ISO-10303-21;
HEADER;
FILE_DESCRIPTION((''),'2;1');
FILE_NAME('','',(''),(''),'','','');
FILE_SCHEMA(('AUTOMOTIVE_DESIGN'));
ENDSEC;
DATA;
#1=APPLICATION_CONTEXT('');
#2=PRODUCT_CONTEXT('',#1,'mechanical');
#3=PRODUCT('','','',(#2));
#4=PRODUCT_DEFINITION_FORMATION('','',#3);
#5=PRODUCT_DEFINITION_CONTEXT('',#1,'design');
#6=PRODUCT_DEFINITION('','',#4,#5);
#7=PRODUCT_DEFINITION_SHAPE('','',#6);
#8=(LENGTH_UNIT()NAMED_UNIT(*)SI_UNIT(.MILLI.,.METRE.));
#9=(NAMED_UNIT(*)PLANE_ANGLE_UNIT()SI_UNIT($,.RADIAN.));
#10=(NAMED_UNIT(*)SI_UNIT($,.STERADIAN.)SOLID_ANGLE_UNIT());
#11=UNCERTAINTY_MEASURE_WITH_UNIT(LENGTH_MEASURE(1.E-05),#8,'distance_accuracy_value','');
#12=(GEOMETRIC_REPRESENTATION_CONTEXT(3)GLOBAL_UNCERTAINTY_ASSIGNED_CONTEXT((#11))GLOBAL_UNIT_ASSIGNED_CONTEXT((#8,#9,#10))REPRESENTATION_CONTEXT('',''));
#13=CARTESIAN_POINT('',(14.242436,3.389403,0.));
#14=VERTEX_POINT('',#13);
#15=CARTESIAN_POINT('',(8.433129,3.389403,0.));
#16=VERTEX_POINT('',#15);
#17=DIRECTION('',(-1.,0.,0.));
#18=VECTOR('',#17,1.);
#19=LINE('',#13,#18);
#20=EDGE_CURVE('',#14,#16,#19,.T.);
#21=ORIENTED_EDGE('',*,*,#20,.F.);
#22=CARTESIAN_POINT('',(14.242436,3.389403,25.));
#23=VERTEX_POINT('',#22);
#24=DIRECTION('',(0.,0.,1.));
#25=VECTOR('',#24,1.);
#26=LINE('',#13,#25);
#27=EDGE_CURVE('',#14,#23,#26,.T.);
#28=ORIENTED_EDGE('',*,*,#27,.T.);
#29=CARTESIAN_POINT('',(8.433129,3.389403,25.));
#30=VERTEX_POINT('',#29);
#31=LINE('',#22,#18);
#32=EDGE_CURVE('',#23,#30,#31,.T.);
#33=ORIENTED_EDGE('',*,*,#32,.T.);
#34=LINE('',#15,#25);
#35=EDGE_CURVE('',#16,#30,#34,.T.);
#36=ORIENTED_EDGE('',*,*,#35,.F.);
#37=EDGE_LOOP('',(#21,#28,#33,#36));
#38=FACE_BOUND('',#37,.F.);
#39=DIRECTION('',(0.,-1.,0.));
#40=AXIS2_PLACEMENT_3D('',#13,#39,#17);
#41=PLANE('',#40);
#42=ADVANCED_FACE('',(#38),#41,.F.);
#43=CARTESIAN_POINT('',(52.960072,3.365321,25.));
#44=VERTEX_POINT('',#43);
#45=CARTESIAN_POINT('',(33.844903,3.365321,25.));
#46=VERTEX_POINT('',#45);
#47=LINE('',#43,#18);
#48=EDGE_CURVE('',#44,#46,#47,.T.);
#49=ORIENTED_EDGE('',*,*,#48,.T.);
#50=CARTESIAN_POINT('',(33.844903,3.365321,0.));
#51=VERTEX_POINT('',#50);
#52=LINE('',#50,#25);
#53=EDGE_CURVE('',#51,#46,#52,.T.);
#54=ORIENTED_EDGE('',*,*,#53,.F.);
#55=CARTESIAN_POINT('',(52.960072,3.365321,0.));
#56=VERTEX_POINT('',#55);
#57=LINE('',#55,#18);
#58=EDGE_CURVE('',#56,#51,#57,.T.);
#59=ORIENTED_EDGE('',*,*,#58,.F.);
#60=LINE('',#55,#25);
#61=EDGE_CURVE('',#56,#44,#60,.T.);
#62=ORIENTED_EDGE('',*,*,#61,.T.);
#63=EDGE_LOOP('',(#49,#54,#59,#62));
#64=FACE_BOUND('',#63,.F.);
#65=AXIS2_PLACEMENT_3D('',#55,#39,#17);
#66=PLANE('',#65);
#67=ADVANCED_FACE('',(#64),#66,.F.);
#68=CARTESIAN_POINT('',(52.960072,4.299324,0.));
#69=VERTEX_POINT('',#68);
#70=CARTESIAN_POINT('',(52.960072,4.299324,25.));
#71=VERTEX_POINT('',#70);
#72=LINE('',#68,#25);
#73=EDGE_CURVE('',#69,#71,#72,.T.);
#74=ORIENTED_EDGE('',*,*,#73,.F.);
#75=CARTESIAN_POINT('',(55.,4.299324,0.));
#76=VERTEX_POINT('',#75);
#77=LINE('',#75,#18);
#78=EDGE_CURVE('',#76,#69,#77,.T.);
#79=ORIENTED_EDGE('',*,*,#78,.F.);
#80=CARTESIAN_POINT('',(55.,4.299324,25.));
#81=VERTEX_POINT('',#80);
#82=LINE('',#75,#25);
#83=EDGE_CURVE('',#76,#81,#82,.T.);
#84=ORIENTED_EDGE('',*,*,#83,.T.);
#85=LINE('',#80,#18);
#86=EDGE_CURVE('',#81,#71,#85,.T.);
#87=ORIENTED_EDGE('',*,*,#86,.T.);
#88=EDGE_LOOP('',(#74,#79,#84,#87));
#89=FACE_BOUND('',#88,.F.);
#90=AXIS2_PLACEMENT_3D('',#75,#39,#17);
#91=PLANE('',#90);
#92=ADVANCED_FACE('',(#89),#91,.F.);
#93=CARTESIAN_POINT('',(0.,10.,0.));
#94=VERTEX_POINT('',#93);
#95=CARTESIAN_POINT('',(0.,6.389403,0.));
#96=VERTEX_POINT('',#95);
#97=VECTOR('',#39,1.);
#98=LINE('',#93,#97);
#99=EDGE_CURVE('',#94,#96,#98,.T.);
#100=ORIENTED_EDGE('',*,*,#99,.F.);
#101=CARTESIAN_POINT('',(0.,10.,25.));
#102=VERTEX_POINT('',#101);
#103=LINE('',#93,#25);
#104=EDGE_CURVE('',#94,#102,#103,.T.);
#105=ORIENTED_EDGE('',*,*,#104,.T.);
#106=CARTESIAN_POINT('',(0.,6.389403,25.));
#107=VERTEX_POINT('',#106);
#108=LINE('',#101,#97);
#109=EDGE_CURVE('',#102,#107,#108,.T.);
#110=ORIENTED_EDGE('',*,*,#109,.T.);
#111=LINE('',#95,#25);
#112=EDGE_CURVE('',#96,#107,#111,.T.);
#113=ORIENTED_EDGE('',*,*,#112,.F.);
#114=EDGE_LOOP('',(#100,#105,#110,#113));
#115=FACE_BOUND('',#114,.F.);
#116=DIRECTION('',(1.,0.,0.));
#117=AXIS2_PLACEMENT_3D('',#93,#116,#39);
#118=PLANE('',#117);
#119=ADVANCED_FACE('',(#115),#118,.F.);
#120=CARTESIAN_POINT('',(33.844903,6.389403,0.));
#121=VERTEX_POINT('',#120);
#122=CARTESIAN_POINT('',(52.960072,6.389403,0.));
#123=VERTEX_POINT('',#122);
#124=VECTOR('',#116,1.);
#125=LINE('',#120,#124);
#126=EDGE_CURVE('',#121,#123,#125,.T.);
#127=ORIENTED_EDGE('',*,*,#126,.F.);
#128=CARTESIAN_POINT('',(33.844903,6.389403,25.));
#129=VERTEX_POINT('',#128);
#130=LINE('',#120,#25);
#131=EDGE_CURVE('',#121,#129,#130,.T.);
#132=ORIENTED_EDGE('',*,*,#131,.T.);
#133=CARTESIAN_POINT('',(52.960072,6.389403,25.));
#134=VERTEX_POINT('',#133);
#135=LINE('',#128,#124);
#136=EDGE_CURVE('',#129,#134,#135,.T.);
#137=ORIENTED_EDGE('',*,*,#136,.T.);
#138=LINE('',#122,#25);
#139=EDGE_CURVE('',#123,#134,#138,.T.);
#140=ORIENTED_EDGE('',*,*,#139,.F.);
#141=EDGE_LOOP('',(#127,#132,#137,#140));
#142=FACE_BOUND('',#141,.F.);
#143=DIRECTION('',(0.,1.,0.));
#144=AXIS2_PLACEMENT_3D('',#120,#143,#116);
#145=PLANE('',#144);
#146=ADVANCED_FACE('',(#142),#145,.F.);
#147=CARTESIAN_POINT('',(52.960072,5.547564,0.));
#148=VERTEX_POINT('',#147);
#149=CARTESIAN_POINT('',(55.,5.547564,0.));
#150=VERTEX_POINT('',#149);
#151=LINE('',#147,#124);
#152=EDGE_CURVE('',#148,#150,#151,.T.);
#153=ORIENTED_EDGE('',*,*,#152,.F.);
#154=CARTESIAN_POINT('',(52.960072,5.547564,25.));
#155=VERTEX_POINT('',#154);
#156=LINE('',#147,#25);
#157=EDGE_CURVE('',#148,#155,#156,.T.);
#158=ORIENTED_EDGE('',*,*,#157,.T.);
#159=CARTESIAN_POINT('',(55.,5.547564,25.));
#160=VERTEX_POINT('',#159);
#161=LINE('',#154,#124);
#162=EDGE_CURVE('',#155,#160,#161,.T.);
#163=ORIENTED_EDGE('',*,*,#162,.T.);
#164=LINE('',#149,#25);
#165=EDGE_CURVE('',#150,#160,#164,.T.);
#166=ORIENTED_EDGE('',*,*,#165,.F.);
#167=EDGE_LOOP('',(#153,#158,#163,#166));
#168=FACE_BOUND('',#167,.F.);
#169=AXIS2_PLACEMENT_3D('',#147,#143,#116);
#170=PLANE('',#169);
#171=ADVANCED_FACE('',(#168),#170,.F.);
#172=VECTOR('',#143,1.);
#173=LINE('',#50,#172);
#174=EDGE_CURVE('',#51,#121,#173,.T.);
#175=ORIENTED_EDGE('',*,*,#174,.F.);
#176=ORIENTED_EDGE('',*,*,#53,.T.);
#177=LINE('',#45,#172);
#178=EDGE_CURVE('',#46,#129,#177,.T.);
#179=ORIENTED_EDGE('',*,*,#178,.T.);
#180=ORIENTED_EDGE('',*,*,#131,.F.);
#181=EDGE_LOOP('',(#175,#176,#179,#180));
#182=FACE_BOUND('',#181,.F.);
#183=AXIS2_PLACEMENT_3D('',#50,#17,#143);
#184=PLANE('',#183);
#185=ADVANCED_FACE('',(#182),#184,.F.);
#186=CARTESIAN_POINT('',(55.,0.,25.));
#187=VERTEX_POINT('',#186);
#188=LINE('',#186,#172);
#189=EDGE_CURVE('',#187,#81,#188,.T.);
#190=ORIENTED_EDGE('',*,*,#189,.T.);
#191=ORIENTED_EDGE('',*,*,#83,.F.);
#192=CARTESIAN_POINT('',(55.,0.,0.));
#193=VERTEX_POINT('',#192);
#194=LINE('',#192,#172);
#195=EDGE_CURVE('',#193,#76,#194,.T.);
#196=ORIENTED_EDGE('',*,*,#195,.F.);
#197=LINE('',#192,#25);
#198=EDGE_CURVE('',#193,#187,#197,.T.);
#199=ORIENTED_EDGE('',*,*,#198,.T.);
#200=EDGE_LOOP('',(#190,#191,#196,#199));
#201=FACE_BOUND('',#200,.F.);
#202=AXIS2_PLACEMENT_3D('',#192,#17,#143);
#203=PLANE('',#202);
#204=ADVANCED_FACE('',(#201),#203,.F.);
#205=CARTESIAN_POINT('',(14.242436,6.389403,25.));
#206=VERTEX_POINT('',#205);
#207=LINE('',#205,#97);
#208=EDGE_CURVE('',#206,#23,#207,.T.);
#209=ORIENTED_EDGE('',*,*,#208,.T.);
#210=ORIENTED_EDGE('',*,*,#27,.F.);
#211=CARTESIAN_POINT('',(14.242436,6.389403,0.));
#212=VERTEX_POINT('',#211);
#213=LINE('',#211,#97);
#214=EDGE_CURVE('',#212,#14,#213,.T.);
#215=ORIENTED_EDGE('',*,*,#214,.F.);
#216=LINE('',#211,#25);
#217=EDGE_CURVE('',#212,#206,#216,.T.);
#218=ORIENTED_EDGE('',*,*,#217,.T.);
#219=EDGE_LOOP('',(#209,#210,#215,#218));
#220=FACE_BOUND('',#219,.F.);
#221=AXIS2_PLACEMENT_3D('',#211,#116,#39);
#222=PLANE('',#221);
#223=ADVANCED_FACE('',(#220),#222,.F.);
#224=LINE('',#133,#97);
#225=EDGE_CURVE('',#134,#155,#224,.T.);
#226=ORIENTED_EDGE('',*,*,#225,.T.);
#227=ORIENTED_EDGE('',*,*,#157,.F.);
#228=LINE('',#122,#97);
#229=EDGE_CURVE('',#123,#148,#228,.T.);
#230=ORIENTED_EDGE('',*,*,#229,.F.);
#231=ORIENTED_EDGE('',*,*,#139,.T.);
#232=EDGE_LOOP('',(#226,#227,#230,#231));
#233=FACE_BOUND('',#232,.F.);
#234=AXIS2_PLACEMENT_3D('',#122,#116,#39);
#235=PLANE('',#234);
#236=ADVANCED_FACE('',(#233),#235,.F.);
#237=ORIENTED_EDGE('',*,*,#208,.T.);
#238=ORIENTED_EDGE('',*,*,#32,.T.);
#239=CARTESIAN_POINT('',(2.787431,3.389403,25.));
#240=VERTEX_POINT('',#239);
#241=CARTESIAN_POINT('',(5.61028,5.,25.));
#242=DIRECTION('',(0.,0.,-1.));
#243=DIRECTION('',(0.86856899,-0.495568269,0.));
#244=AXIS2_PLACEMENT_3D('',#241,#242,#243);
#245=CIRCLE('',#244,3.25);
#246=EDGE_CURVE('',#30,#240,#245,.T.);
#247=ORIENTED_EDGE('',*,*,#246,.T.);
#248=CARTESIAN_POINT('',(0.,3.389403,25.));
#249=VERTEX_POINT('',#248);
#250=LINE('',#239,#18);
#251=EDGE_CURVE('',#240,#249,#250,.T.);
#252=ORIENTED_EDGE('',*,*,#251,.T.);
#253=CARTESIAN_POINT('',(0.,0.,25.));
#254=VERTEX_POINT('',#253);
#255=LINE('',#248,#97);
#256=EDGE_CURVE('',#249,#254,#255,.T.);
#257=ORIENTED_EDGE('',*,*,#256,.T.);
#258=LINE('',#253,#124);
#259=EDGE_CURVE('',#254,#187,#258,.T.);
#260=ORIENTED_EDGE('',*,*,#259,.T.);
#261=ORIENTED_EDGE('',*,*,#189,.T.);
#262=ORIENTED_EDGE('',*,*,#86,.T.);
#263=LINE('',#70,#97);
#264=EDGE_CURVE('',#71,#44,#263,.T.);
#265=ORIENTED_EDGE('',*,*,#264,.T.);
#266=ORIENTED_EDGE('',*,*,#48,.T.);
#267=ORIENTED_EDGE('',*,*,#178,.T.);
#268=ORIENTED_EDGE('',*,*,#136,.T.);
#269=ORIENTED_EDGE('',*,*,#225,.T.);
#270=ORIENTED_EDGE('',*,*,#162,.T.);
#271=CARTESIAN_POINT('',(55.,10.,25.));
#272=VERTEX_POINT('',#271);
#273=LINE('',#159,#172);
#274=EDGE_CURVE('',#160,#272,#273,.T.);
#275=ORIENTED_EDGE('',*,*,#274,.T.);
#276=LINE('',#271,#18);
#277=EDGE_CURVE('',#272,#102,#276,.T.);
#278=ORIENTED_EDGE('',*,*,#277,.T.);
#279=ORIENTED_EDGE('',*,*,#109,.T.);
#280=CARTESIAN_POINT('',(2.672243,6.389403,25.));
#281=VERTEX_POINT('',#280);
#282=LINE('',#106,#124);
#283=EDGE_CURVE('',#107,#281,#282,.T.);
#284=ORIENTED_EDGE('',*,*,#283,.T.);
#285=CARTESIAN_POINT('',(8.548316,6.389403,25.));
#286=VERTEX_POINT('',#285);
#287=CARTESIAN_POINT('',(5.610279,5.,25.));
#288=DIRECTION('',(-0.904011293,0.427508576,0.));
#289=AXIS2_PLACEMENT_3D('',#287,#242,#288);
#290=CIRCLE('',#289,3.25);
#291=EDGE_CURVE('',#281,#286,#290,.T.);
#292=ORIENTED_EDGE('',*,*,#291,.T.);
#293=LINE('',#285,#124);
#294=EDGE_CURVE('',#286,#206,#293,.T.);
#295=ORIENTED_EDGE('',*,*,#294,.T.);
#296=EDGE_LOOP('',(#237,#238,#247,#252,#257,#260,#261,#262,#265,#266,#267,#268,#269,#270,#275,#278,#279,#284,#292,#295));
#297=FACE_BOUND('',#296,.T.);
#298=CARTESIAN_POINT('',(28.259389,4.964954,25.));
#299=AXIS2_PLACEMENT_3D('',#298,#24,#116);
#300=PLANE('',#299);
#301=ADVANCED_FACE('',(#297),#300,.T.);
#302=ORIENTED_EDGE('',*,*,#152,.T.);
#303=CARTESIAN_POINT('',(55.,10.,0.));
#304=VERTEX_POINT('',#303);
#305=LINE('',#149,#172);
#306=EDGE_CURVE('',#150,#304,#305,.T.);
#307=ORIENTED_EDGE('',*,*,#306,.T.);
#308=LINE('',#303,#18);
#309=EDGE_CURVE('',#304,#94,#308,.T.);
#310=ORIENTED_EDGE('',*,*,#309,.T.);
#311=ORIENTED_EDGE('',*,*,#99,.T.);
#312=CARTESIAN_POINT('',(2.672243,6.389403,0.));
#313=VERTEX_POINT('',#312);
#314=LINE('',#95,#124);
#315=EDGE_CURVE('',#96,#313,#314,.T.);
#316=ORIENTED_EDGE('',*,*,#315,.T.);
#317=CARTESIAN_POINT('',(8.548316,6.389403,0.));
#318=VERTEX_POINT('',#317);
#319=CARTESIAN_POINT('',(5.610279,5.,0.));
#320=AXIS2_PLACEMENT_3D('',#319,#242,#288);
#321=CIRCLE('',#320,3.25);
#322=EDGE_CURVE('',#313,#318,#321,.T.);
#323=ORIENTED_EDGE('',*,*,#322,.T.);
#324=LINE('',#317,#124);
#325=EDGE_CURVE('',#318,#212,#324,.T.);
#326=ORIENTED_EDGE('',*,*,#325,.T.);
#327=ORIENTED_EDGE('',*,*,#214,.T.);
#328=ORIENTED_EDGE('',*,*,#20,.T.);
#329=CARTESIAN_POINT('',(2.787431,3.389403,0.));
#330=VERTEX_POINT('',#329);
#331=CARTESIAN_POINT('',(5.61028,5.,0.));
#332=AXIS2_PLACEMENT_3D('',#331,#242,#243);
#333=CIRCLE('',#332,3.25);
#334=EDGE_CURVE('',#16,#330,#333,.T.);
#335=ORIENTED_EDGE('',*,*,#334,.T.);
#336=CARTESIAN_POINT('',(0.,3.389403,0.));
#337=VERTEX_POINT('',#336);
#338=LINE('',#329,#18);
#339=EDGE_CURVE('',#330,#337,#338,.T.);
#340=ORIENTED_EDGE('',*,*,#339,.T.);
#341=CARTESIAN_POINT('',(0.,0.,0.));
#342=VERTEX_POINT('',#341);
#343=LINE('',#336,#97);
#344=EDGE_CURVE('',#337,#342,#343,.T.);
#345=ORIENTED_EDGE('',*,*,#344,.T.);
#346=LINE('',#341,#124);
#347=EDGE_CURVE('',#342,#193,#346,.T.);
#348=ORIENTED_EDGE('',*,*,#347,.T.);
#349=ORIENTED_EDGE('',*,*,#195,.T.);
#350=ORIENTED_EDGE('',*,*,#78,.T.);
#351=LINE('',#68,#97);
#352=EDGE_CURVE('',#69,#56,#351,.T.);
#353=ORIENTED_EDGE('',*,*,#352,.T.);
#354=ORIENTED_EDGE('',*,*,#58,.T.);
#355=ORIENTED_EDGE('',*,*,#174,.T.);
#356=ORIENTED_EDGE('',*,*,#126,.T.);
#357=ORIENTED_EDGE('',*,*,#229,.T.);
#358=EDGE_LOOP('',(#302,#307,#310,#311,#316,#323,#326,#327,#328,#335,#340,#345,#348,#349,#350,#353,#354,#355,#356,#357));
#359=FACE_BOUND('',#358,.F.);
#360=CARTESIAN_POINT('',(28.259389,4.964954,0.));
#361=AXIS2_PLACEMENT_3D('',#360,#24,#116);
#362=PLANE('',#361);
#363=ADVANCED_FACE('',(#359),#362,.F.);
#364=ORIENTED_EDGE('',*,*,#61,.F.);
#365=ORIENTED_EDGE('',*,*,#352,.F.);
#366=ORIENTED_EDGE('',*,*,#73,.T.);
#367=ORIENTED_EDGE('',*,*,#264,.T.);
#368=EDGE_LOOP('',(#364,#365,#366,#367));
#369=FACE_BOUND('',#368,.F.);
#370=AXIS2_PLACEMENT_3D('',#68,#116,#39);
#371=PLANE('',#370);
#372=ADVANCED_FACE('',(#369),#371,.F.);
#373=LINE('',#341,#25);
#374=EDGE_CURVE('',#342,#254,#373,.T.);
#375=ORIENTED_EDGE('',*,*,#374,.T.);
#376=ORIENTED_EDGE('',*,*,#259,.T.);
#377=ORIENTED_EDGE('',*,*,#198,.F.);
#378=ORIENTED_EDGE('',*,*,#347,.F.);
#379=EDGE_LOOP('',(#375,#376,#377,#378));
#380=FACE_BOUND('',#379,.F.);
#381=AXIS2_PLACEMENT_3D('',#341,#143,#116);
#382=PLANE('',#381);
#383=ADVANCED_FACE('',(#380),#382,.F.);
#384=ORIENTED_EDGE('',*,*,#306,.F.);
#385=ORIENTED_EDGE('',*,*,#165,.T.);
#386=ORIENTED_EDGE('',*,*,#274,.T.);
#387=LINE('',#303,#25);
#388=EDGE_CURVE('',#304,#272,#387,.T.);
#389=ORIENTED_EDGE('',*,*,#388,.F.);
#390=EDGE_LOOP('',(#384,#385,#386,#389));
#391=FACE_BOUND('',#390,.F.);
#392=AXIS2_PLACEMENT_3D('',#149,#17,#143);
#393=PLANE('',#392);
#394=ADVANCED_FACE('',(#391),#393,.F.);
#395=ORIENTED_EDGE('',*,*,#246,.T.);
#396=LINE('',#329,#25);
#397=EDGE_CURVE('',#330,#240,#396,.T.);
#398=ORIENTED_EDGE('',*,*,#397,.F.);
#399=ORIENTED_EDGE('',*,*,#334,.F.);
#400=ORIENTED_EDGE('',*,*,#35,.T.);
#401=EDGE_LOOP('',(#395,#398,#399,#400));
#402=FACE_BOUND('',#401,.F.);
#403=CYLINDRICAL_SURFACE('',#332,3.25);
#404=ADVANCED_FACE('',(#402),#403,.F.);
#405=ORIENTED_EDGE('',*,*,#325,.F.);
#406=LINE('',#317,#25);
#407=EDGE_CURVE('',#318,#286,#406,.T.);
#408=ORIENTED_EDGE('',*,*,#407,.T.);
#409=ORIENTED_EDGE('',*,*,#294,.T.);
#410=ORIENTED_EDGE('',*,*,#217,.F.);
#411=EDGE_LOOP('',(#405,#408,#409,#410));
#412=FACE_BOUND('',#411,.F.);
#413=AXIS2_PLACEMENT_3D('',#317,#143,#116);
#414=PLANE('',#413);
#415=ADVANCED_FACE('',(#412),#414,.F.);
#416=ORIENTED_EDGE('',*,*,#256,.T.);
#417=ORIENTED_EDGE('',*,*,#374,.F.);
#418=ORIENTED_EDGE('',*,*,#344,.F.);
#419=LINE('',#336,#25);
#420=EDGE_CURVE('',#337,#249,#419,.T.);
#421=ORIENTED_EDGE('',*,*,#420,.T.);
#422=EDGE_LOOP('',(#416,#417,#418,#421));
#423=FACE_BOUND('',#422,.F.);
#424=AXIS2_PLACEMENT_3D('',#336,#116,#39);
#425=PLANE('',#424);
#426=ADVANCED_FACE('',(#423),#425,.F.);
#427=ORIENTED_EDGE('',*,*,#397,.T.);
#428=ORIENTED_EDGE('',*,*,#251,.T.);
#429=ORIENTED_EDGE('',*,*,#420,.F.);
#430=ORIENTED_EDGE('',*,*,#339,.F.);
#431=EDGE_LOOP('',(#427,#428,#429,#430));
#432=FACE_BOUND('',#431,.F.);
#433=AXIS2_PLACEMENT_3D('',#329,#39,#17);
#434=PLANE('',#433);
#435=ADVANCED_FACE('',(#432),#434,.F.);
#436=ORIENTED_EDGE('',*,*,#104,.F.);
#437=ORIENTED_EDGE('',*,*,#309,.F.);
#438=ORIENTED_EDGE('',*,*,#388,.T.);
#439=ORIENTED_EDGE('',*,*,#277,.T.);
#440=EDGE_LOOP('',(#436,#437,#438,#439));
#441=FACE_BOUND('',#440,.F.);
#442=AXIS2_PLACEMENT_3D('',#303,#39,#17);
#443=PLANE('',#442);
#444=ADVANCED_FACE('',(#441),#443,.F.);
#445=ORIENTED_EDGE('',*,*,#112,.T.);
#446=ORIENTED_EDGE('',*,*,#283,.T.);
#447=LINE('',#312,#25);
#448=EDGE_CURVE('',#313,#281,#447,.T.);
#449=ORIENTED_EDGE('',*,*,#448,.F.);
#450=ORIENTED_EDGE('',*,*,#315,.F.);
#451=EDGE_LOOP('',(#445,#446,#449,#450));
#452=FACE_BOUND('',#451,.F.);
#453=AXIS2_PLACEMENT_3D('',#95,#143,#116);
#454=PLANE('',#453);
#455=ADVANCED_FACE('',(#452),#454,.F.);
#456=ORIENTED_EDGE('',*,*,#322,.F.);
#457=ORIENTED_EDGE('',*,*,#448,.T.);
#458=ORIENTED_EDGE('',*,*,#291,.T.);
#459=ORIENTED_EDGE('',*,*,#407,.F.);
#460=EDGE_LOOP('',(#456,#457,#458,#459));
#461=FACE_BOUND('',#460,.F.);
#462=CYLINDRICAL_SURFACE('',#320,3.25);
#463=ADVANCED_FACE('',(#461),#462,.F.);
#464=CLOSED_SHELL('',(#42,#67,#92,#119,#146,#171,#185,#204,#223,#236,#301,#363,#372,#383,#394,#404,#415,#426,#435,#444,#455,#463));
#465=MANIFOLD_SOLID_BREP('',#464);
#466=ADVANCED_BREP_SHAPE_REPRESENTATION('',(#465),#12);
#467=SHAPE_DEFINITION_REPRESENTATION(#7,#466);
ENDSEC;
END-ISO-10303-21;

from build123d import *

# Parameters (mm, degrees)
F1_DEPTH = 25


with BuildPart() as f1:
    # F0 (on Top) → F1 (new body)
    with BuildSketch(Plane.XY):
        with BuildLine():
            Line((0, 3.389403), (0, 0))
            Line((0, 0), (55, 0))
            Line((55, 0), (55, 4.299324))
            Line((55, 4.299324), (52.960072, 4.299324))
            Line((52.960072, 4.299324), (52.960072, 3.365321))
            Line((52.960072, 3.365321), (33.844903, 3.365321))
            Line((33.844903, 3.365321), (33.844903, 6.389403))
            Line((33.844903, 6.389403), (52.960072, 6.389403))
            Line((52.960072, 6.389403), (52.960072, 5.547564))
            Line((52.960072, 5.547564), (55, 5.547564))
            Line((55, 5.547564), (55, 10))
            Line((55, 10), (0, 10))
            Line((0, 10), (0, 6.389403))
            Line((0, 6.389403), (2.672243, 6.389403))
            ThreePointArc((2.672243, 6.389403), (5.61028, 8.25), (8.548316, 6.389403))
            Line((8.548316, 6.389403), (14.242436, 6.389403))
            Line((14.242436, 6.389403), (14.242436, 3.389403))
            Line((14.242436, 3.389403), (8.433129, 3.389403))
            ThreePointArc((8.433129, 3.389403), (5.61028, 1.75), (2.787431, 3.389403))
            Line((2.787431, 3.389403), (0, 3.389403))
        make_face()
    extrude(amount=F1_DEPTH)


solid = f1.part
